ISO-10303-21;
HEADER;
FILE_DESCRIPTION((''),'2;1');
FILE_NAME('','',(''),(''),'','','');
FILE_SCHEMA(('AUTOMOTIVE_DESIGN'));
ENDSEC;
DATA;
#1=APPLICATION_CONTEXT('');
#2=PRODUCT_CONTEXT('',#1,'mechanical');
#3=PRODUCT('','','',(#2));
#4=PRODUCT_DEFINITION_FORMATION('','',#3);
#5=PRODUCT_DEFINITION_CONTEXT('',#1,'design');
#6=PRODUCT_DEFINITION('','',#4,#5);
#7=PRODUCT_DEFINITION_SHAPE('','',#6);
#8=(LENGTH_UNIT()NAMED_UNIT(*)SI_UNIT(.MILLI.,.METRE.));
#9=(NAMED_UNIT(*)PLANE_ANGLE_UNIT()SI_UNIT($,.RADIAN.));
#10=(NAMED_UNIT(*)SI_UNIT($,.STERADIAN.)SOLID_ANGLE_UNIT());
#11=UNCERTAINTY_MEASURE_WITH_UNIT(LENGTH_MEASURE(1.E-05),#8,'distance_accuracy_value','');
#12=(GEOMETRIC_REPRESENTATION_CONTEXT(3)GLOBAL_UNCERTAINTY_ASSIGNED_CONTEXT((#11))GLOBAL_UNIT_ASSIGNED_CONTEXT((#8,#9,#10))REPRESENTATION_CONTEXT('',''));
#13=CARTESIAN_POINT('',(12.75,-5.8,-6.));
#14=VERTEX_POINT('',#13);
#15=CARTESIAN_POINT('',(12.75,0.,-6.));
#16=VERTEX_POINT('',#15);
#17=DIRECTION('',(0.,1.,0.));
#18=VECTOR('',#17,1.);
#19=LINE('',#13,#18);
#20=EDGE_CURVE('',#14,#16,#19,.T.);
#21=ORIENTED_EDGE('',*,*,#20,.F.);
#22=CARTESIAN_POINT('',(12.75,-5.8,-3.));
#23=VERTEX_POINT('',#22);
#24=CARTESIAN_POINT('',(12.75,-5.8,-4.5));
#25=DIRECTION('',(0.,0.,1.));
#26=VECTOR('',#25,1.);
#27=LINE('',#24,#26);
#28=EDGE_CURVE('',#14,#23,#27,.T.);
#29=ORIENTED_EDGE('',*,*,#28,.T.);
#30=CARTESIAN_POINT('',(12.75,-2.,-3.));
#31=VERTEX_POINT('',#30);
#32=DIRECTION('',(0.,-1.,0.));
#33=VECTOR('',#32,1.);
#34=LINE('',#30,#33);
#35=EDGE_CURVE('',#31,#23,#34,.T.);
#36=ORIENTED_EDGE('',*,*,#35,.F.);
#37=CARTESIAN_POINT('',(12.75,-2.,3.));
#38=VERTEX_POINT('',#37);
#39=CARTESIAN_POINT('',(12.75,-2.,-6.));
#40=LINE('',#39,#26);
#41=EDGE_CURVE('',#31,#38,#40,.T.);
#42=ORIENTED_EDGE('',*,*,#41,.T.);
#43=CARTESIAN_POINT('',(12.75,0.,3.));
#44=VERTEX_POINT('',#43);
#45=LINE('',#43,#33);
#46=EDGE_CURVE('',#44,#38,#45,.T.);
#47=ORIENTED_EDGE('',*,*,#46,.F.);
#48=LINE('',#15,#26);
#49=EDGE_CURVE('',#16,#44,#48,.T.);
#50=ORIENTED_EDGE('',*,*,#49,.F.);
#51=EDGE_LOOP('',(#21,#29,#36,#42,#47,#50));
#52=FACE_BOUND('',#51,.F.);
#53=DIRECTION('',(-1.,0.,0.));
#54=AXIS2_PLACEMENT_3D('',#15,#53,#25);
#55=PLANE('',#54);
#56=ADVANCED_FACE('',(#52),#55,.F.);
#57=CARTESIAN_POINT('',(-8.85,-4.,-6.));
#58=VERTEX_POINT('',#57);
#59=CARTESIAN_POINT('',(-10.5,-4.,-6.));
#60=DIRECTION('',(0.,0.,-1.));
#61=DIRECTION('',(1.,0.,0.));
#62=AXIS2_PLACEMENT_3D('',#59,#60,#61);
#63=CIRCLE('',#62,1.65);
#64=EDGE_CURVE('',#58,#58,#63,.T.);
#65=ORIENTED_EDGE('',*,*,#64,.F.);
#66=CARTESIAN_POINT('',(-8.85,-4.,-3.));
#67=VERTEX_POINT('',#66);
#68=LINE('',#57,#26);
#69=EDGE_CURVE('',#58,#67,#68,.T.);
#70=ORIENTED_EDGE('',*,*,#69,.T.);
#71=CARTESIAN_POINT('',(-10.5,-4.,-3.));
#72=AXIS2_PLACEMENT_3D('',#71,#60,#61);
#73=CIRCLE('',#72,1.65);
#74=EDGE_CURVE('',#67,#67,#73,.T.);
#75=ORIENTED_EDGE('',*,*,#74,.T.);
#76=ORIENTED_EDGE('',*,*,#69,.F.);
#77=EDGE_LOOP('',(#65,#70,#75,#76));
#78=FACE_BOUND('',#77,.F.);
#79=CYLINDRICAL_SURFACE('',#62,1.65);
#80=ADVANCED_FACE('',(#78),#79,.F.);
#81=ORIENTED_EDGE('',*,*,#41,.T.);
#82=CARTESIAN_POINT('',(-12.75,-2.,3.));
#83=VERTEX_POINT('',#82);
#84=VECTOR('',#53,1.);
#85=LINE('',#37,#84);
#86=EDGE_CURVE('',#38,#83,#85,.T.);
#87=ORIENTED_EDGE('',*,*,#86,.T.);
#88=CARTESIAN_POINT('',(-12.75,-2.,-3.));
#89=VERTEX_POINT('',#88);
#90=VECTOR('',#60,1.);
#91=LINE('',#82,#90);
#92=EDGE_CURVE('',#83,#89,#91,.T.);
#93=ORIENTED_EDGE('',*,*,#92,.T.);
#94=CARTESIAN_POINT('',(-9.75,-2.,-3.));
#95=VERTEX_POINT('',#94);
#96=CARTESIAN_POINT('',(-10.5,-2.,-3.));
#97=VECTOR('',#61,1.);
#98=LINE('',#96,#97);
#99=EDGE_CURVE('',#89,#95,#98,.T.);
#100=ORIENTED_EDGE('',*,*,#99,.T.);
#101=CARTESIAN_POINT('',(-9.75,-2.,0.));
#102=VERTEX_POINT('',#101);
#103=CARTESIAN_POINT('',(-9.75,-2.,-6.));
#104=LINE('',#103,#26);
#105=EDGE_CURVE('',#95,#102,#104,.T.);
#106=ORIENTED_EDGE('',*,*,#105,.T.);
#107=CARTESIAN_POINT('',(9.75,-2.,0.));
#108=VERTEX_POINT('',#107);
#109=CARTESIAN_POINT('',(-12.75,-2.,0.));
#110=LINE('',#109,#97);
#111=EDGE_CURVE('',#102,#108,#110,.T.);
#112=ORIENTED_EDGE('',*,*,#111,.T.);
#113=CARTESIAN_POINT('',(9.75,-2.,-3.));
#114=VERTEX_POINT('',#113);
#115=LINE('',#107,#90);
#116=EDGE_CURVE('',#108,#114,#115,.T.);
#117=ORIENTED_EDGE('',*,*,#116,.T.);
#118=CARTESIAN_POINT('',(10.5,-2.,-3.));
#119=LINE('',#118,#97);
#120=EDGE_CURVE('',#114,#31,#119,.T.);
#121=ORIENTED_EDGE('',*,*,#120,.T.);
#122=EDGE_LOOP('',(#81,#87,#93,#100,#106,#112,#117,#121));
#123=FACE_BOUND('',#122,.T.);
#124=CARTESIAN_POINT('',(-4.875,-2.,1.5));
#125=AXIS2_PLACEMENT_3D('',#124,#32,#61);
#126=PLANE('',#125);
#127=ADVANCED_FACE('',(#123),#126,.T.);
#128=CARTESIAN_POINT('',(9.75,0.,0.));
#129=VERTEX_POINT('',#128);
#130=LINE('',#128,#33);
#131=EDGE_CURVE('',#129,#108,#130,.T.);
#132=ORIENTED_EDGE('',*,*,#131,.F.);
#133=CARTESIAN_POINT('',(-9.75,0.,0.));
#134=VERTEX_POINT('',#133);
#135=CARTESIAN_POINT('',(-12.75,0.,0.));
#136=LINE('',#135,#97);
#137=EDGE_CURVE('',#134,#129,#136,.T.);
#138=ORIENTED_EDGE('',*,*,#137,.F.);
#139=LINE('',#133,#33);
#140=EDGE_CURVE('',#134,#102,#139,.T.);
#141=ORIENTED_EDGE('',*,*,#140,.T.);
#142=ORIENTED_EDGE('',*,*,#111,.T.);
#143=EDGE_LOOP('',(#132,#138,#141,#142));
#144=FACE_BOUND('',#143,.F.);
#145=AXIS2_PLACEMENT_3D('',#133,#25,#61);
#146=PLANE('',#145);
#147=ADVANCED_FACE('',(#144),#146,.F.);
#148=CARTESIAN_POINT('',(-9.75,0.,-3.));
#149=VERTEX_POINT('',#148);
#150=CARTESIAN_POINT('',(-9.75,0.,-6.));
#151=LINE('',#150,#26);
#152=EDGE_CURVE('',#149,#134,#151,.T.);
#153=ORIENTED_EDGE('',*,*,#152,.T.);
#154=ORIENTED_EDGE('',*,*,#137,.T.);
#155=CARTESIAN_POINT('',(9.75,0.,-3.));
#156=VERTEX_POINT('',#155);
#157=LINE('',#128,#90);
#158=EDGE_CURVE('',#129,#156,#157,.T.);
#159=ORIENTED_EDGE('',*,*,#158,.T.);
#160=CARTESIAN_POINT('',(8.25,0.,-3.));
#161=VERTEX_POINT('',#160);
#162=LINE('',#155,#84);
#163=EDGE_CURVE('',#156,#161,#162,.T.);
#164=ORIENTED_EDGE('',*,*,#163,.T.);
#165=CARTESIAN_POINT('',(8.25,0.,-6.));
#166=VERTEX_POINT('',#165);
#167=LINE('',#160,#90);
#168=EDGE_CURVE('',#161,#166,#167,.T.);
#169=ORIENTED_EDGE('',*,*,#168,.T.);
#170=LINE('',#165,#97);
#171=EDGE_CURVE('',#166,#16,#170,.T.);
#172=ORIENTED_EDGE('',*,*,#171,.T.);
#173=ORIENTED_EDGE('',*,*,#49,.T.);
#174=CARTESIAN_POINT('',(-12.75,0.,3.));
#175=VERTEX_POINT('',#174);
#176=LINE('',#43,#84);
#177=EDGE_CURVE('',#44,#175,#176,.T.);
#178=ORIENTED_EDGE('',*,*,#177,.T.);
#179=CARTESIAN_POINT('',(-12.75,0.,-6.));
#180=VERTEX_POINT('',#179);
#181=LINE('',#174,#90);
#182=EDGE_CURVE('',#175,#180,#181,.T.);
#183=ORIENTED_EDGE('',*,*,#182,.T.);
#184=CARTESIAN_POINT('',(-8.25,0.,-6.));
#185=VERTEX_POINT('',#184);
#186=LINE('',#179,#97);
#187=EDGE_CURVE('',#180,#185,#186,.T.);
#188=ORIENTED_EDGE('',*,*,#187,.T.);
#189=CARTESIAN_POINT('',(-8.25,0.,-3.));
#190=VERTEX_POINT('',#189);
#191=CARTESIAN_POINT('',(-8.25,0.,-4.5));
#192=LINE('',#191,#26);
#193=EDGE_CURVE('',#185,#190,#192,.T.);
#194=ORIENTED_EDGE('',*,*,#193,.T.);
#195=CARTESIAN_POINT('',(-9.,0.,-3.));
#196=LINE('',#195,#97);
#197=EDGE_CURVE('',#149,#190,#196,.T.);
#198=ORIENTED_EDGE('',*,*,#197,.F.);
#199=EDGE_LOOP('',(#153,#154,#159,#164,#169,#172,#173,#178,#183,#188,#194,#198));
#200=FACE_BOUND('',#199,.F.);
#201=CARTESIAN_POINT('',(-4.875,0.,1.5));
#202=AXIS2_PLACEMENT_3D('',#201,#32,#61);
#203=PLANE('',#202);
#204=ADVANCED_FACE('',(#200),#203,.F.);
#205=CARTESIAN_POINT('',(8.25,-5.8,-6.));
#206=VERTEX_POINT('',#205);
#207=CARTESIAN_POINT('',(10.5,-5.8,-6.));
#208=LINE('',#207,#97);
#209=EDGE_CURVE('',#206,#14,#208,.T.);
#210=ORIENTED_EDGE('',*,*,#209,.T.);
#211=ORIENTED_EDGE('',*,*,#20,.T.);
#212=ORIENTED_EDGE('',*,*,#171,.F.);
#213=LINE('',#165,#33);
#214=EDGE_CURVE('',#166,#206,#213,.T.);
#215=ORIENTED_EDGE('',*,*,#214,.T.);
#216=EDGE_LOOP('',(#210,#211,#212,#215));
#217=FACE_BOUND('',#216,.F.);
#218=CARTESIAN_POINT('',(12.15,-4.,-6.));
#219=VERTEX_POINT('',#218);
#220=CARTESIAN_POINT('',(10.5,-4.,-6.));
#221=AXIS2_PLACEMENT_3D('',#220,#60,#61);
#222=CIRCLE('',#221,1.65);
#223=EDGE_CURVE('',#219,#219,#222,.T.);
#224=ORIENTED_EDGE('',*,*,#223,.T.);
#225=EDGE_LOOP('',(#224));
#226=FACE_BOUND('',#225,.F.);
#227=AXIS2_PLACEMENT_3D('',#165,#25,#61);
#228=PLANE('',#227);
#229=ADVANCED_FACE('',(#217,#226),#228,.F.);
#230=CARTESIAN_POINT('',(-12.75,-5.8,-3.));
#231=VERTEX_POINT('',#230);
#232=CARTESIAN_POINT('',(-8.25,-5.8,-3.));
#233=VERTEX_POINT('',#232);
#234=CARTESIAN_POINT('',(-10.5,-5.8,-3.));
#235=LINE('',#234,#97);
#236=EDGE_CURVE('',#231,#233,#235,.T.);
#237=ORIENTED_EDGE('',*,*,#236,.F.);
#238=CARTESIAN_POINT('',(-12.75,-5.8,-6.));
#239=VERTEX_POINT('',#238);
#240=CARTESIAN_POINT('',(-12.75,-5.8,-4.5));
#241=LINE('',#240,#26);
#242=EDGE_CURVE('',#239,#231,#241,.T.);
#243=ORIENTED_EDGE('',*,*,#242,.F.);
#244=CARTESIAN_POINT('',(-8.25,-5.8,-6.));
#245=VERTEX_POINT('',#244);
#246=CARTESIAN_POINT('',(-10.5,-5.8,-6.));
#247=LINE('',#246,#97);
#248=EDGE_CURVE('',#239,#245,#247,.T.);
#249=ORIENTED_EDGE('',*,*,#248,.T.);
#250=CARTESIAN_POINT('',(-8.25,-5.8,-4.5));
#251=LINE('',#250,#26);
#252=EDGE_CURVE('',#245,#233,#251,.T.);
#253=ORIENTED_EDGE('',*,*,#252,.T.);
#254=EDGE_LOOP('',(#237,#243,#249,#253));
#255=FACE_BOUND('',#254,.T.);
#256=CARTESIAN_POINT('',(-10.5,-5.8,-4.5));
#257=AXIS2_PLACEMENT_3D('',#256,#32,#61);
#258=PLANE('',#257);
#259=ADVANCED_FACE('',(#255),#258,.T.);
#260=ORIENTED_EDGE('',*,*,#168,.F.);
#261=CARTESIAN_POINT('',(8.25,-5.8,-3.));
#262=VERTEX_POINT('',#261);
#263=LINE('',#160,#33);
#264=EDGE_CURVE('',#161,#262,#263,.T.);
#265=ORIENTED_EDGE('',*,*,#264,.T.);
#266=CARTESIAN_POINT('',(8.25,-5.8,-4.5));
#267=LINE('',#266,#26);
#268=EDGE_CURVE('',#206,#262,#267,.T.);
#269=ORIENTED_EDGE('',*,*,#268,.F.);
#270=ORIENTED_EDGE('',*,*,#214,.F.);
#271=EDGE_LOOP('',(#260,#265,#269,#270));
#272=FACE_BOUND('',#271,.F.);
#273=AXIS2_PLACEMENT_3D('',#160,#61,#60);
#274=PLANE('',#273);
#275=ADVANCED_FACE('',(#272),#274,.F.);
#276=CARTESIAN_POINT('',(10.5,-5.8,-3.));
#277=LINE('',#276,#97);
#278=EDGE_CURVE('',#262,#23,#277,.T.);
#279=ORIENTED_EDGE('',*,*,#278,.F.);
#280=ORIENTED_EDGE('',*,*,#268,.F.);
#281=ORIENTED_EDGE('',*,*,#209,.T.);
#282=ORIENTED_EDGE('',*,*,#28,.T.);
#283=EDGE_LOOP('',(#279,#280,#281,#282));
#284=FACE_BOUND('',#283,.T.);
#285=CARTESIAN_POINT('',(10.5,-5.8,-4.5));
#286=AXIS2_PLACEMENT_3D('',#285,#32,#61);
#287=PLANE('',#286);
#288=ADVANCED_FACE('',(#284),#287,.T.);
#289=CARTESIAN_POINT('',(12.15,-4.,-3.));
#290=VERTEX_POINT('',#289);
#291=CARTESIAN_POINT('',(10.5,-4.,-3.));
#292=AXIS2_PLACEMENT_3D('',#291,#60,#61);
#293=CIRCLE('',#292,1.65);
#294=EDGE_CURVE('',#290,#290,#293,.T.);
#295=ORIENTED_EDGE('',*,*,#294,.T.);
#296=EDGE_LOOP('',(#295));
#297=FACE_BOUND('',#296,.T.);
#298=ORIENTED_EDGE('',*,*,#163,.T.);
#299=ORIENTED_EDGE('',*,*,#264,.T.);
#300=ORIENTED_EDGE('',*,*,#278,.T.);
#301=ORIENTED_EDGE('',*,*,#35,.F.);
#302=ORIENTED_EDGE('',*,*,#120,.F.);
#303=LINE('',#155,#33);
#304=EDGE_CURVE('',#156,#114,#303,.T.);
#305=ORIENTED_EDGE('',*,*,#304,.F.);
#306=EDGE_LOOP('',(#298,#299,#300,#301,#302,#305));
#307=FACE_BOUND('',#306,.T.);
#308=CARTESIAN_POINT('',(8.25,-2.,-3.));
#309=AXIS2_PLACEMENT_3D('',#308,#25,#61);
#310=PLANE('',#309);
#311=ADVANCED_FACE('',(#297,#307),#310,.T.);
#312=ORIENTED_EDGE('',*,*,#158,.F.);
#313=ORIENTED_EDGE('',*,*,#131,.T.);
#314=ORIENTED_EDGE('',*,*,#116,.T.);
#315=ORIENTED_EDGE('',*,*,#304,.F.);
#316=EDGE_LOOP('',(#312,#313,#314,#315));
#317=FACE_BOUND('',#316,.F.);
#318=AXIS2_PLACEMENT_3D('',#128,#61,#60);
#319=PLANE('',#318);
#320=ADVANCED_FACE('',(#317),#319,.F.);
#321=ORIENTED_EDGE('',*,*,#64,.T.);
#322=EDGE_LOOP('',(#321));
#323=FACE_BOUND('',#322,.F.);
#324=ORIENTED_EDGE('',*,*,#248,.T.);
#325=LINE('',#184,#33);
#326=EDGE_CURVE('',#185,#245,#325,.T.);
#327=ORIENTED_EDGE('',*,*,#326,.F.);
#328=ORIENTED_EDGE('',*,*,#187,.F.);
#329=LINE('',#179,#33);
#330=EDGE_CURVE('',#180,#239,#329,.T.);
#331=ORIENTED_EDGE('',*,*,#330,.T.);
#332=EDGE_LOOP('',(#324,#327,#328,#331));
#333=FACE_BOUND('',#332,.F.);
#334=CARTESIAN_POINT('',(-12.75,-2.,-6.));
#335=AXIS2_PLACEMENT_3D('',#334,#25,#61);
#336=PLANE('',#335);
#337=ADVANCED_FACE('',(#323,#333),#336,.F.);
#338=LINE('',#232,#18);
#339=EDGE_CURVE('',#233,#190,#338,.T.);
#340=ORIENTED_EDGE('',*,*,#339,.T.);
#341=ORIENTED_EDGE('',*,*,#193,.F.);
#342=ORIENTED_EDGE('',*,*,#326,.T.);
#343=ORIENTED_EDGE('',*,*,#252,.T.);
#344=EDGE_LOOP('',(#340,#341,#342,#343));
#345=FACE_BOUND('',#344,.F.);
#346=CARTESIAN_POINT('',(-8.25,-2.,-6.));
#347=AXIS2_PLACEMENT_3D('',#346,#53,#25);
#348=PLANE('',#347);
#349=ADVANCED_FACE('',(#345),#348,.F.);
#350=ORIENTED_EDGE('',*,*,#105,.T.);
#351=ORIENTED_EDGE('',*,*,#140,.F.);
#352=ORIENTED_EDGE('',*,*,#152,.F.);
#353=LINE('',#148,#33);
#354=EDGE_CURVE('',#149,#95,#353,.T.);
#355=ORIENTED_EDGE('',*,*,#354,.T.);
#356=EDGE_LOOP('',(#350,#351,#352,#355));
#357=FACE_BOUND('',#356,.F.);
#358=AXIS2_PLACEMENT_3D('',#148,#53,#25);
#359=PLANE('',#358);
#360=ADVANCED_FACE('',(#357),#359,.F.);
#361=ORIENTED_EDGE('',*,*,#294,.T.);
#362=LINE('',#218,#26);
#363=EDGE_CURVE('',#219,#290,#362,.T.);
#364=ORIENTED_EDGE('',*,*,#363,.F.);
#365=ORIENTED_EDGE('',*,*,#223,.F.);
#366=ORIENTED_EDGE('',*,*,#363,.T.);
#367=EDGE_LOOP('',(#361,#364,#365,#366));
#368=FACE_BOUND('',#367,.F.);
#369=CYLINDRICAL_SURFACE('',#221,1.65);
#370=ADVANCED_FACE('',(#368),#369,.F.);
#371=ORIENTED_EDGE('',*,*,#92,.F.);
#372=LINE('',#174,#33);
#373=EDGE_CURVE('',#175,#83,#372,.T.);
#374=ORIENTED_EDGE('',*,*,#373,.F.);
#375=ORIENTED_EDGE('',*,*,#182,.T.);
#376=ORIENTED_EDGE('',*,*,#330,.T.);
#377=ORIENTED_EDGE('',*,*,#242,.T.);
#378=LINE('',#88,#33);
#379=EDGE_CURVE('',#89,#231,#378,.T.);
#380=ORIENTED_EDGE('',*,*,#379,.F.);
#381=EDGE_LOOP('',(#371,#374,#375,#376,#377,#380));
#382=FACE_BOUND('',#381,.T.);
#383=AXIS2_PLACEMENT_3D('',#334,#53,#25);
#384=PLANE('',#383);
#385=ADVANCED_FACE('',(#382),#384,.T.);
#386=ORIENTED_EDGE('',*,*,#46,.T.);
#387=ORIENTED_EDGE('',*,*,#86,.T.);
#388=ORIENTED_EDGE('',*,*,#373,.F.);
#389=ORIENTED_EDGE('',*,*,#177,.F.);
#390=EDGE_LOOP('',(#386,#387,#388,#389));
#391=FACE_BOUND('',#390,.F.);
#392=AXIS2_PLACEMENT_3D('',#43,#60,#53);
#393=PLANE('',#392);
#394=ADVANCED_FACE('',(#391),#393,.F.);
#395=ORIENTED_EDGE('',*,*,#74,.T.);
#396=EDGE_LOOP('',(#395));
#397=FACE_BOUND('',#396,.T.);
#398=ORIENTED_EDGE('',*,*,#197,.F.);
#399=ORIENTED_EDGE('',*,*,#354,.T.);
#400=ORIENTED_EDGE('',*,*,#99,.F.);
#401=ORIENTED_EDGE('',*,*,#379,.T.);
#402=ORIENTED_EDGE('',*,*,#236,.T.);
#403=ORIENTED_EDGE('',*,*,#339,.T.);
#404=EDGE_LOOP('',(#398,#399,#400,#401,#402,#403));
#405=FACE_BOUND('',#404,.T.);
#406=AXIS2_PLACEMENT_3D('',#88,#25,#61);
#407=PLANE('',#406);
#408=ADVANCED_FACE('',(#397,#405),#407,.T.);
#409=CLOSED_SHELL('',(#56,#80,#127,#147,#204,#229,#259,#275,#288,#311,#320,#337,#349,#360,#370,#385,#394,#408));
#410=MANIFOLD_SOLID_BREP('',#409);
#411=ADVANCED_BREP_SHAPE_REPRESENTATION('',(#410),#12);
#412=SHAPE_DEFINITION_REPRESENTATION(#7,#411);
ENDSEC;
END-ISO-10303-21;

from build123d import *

# Parameters (mm, degrees)
F0_W     = 9.75
F0_H     = 3
F0_W_2   = 3
F0_W_3   = 1.5
F1_DEPTH = 2
F2_W     = 4.5
F2_H     = 3
F3_DEPTH = 3.8
F4_R     = 1.65
F5_DEPTH = 9.001


with BuildPart() as f1:
    # F0 (on Front) → F1 (new body)
    with BuildSketch(Plane.XZ):
        Polygon((-8.25, 0), (0, 0), (0, 3), (-9.75, 3), (-9.75, 0), align=None)
        with Locations((4.875, 1.5)):
            Rectangle(F0_W, F0_H)
        Polygon((9.75, 3), (9.75, 0), (9.75, -3), (12.75, -3), (12.75, 3), align=None)
        with Locations((-11.25, 1.5)):
            Rectangle(F0_W_2, F0_H)
        with Locations((-11.25, -1.5)):
            Rectangle(F0_W_2, F0_H)
        Polygon((12.75, -3), (9.75, -3), (8.25, -3), (8.25, -6), (12.75, -6), align=None)
        with Locations((-11.25, -4.5)):
            Rectangle(F0_W_2, F0_H)
        with Locations((-9, -4.5)):
            Rectangle(F0_W_3, F0_H)
    extrude(amount=F1_DEPTH)

    # F2 (on face) → F3 (join)
    with BuildSketch(Plane.XZ.offset(2)):
        with Locations((-10.5, -4.5)):
            Rectangle(F2_W, F2_H)
        with Locations((10.5, -4.5)):
            Rectangle(F2_W, F2_H)
    extrude(amount=F3_DEPTH)

    # F4 (on face) → F5 (cut, through all)
    with BuildSketch(Plane(origin=(0, 0, -6), x_dir=(1, 0, 0), z_dir=(0, 0, -1))):
        with Locations((-10.5, 4)):
            Circle(F4_R)
        with Locations((10.5, 4)):
            Circle(F4_R)
    extrude(amount=-F5_DEPTH, mode=Mode.SUBTRACT)


solid = f1.part
